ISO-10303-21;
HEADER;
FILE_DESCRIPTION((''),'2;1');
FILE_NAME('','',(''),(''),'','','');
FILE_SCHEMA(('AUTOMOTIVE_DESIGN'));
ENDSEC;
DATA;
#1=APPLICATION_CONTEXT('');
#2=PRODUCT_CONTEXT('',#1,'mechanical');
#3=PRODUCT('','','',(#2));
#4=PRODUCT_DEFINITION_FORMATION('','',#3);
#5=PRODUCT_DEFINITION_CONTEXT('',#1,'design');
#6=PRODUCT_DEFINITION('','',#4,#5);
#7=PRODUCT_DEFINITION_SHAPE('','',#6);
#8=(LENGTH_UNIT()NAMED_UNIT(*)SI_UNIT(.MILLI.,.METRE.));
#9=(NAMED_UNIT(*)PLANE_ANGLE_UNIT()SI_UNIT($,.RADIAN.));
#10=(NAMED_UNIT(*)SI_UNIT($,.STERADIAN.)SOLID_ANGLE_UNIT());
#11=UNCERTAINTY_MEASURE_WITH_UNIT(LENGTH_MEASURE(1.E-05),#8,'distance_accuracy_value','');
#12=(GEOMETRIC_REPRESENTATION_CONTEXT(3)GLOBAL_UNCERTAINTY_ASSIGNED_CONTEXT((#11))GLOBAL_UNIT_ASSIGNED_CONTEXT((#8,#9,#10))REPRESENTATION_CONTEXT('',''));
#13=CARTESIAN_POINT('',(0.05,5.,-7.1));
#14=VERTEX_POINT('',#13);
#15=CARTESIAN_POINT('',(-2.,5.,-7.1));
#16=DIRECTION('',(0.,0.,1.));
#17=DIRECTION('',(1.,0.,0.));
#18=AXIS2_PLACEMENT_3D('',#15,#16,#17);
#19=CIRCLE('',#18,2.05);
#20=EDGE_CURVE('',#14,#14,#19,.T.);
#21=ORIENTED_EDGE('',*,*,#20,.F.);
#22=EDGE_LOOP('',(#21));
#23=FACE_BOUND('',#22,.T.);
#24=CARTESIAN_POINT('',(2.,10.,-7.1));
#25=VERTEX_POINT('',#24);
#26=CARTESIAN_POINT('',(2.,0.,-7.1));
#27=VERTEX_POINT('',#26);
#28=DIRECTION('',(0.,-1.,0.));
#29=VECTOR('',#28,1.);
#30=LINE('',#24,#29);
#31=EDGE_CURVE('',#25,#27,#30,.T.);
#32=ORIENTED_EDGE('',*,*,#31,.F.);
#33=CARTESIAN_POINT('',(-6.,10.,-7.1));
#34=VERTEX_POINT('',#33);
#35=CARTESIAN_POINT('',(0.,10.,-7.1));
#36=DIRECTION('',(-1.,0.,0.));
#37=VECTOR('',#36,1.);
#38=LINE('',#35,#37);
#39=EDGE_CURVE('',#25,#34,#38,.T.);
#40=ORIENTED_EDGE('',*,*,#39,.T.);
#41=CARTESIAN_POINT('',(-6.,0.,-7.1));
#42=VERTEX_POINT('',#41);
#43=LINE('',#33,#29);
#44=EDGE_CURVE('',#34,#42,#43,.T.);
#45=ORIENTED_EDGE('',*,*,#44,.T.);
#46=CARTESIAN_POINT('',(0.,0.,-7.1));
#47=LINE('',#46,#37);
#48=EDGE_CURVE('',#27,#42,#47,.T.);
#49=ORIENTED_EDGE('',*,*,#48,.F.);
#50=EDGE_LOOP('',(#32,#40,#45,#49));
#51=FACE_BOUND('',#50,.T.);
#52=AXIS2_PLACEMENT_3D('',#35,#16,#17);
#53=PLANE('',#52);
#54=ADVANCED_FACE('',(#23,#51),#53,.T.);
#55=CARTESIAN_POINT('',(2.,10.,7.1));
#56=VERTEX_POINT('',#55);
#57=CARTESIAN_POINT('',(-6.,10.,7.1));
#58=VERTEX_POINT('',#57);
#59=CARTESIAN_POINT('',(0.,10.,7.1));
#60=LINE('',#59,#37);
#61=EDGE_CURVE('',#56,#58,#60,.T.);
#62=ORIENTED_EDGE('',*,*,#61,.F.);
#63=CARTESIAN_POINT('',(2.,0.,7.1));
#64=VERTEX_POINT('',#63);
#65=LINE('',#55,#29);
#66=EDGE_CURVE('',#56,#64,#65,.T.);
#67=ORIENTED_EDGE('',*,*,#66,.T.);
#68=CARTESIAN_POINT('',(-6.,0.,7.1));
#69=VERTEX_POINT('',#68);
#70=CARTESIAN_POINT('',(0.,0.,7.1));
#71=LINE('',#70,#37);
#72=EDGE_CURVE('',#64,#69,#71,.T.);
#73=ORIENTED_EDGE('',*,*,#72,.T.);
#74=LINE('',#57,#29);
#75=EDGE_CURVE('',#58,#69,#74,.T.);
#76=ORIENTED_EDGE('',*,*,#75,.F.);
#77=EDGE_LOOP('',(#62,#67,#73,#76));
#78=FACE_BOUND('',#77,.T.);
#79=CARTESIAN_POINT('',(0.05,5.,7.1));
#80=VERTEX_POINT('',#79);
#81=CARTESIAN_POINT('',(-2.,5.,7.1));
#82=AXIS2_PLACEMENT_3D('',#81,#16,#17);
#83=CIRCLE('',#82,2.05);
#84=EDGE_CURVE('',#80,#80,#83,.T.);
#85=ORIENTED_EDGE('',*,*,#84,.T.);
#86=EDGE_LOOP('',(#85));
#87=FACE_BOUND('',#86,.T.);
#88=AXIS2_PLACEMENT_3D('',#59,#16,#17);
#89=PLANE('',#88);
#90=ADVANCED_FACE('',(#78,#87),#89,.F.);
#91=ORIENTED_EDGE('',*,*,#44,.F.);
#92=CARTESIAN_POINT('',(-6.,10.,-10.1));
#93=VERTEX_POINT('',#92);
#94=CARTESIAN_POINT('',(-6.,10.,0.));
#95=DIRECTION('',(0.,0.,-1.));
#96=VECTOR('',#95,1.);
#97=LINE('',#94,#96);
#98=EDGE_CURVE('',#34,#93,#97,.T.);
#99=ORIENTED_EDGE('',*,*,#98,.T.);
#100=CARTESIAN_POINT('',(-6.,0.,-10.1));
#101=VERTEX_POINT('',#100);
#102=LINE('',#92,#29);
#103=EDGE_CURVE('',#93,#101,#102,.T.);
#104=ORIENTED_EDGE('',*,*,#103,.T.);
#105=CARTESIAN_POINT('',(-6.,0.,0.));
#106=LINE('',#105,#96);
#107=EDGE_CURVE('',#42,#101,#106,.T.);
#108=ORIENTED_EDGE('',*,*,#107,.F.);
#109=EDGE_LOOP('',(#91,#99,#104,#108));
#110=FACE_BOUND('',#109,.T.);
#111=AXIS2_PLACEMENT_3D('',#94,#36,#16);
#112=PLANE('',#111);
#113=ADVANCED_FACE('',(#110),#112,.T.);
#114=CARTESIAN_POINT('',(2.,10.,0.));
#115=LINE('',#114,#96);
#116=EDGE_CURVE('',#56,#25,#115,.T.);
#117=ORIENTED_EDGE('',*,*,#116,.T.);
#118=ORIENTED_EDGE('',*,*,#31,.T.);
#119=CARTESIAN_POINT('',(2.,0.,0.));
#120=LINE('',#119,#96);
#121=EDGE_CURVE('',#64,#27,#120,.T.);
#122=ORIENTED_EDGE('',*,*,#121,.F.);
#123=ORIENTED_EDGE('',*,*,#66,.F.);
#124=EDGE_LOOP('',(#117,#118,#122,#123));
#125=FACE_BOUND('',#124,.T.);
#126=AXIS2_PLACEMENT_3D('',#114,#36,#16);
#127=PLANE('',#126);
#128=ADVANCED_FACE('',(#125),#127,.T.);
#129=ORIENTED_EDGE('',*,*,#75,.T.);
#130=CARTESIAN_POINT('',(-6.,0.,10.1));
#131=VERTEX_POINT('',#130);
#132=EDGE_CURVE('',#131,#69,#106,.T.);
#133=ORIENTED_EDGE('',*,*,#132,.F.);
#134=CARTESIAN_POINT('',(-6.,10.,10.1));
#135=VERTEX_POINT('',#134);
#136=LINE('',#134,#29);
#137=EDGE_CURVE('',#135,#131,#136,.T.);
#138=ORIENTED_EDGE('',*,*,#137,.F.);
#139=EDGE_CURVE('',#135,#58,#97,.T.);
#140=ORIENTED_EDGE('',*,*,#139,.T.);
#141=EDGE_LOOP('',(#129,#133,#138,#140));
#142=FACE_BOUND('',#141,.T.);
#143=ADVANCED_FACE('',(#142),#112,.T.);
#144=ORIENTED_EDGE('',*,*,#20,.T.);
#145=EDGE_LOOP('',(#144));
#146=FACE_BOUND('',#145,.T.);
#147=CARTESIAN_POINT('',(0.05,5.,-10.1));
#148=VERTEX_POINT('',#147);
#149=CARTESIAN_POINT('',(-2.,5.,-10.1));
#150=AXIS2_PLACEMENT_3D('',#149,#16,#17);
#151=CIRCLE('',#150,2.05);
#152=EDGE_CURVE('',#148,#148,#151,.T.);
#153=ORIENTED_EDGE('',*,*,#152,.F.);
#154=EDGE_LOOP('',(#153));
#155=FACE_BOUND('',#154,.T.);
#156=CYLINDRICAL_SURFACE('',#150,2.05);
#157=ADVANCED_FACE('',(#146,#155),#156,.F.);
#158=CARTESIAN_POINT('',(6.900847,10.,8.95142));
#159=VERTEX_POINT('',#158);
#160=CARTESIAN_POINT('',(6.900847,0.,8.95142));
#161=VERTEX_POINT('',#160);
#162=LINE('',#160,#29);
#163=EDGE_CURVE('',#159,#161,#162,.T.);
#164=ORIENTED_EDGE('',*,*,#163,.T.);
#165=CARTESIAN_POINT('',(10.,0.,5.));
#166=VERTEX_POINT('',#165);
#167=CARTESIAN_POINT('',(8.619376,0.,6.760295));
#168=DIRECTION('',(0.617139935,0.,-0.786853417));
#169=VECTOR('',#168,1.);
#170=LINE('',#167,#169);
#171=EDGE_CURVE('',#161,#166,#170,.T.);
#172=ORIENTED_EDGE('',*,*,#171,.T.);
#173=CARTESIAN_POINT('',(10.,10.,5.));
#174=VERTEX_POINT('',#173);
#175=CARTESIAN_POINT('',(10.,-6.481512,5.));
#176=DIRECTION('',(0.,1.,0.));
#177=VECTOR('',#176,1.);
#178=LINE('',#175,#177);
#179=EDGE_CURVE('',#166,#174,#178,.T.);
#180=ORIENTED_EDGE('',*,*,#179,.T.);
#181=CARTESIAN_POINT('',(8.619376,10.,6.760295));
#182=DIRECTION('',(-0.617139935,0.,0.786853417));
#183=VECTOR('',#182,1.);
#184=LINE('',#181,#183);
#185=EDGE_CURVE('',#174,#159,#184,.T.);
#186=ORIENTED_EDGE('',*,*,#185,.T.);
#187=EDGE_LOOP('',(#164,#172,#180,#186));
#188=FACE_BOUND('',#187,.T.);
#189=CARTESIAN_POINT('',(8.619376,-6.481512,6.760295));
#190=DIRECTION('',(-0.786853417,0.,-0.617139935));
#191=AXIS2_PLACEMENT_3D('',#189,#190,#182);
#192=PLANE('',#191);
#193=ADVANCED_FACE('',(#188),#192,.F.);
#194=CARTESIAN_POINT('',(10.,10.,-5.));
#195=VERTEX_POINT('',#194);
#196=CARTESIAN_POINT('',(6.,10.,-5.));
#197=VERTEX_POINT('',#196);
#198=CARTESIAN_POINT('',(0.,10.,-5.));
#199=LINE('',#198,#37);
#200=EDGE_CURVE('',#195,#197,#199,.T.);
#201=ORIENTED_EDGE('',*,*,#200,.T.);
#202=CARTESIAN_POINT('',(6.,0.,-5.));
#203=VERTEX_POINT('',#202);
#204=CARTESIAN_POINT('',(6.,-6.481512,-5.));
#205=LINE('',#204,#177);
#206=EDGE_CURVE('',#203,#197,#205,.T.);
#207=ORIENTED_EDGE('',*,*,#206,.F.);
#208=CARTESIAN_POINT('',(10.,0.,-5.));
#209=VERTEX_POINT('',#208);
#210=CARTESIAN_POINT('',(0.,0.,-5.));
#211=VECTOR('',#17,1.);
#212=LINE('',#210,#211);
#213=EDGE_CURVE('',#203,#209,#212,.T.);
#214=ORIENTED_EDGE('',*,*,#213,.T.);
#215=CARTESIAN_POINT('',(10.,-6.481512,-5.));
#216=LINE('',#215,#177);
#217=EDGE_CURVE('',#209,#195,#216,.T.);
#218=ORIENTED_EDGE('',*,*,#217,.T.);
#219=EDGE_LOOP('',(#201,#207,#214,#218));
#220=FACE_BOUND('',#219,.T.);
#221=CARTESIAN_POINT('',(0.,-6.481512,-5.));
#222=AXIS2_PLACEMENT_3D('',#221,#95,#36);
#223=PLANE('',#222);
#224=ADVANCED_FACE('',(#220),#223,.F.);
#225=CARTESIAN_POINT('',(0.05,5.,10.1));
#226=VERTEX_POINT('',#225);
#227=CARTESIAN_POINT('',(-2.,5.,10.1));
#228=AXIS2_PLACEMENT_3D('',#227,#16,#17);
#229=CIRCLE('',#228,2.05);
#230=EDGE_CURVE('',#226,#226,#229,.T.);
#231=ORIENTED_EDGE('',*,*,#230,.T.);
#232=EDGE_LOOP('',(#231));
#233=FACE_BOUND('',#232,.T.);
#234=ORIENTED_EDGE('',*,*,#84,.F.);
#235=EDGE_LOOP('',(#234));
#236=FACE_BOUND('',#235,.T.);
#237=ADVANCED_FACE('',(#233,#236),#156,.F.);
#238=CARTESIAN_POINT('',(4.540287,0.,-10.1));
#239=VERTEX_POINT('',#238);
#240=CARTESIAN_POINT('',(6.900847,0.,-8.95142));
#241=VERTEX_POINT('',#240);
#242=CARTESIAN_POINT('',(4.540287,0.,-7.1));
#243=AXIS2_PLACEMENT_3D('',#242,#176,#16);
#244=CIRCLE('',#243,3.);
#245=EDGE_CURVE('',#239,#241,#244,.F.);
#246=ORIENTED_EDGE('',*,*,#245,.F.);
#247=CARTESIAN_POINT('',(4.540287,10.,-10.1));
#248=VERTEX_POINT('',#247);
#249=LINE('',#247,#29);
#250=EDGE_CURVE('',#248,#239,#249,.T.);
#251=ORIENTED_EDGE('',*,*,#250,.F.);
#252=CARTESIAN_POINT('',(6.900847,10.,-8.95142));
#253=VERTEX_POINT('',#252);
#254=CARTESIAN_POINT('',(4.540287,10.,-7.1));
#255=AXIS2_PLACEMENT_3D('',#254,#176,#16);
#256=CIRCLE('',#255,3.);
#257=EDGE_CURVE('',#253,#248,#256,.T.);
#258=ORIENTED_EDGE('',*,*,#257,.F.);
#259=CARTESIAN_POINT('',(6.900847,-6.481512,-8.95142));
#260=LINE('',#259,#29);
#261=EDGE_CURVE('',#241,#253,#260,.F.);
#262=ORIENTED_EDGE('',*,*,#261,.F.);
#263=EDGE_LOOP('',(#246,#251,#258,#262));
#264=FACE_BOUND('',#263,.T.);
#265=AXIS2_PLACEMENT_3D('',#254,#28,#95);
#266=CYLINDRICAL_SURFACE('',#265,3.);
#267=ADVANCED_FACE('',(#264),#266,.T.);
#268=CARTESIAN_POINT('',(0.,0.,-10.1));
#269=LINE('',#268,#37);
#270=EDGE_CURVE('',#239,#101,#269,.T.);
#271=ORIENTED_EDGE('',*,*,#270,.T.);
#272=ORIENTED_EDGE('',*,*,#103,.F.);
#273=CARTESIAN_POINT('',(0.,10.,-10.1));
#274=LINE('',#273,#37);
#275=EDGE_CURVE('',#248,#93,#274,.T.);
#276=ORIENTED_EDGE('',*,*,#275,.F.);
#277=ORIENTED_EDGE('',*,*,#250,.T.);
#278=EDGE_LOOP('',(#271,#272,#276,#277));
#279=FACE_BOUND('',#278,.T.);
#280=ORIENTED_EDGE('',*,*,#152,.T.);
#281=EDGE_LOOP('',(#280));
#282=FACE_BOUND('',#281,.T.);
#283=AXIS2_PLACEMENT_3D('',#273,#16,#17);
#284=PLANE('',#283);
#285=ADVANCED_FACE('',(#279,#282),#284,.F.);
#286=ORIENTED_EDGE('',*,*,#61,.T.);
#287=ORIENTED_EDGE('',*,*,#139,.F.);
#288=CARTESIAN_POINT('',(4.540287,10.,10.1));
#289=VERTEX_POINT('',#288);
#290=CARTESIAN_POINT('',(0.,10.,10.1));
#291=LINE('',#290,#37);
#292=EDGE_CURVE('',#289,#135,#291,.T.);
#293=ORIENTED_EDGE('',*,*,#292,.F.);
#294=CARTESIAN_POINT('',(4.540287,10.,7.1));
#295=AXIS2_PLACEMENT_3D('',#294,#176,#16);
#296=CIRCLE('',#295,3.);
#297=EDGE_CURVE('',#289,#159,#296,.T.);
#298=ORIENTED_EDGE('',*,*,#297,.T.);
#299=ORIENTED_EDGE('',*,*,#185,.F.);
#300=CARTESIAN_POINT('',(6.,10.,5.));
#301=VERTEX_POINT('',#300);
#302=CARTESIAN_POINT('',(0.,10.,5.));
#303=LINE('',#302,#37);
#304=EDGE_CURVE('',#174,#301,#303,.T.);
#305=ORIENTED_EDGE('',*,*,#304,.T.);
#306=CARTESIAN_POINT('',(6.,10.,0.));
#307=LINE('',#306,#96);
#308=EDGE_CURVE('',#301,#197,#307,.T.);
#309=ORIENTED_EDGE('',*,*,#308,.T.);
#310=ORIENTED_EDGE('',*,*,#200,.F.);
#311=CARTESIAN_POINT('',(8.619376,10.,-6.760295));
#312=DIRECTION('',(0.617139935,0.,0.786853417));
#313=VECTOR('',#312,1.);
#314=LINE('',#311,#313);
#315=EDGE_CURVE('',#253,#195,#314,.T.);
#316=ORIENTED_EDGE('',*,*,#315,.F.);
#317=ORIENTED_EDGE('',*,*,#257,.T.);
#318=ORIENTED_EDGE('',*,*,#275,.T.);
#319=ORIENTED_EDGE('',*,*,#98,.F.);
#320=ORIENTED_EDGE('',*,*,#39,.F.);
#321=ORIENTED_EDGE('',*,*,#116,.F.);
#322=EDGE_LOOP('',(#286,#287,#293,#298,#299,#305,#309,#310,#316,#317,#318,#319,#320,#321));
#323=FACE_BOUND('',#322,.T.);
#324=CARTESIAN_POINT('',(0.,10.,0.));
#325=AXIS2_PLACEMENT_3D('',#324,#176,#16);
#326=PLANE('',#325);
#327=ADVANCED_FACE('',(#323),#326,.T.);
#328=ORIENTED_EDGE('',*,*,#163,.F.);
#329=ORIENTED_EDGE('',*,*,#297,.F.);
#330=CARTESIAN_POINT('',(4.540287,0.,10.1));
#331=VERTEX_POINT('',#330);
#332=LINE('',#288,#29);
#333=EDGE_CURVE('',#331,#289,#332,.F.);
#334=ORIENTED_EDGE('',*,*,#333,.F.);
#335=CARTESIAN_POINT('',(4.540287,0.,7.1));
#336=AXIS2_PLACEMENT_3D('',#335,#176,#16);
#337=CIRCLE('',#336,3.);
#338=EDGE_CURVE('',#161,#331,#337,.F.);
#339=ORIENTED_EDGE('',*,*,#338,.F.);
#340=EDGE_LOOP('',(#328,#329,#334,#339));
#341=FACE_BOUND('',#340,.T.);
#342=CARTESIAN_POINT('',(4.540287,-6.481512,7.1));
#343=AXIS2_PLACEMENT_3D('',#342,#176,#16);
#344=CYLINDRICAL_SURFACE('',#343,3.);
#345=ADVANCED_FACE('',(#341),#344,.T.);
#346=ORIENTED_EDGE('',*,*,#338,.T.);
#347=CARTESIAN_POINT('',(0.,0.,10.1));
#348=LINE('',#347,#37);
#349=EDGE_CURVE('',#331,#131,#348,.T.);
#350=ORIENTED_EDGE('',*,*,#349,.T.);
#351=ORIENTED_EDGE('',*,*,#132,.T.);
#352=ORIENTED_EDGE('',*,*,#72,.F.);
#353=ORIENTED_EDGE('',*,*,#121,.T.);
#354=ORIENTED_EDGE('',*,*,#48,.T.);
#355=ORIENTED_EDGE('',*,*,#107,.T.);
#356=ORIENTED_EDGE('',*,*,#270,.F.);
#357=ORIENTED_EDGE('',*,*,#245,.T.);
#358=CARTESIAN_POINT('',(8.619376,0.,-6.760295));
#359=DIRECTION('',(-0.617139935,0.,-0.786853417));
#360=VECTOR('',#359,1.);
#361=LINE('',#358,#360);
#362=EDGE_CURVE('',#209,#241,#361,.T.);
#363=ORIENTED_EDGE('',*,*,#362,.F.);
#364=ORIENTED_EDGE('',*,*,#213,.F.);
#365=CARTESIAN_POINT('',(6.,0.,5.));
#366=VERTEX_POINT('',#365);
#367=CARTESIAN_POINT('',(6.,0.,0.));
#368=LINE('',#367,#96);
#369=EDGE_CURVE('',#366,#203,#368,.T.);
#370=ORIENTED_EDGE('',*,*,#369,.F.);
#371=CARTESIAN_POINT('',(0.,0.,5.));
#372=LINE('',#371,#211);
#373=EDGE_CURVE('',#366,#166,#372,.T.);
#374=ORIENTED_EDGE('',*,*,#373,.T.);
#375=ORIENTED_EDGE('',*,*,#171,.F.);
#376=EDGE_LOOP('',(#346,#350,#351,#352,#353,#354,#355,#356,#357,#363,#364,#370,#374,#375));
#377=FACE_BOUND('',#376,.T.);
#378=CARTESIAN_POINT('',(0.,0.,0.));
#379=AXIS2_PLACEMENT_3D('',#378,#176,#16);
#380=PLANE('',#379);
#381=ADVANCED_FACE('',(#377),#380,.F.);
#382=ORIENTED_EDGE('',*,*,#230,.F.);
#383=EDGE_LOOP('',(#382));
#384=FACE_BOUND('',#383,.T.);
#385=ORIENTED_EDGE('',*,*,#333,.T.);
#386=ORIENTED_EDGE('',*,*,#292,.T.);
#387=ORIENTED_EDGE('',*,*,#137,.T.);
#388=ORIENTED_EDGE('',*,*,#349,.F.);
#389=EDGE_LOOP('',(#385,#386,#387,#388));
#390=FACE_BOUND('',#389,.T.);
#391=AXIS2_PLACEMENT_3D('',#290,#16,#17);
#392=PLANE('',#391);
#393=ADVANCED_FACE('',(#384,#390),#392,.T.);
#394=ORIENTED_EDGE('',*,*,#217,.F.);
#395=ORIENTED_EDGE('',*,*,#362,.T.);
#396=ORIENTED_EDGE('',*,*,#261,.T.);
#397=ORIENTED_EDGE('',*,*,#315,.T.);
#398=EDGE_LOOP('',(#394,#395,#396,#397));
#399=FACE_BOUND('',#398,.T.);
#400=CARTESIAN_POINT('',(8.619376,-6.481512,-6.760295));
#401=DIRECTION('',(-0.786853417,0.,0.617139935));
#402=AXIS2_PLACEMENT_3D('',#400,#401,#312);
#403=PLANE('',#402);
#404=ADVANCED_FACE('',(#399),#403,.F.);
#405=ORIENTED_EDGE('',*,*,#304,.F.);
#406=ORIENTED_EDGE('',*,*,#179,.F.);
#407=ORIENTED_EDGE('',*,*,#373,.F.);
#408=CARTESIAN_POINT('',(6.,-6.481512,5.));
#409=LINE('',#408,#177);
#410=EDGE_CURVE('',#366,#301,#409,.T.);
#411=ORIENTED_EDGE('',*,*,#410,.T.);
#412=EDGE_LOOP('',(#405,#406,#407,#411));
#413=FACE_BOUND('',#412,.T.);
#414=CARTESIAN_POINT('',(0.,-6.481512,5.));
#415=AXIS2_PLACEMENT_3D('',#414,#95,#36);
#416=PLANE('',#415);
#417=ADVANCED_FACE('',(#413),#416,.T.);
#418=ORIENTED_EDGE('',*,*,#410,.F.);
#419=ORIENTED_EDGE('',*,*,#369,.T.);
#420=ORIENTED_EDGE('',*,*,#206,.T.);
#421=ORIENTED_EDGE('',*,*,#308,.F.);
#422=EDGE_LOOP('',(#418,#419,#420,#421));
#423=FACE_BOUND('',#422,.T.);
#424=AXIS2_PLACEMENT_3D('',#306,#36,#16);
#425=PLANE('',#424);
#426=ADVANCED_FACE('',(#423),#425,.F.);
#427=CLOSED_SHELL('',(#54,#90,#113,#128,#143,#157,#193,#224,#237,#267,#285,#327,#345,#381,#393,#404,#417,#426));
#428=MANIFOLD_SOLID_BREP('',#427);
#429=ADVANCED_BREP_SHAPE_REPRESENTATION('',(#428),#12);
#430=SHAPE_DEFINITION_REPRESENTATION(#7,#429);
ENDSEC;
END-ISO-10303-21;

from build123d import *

# Parameters (mm, degrees)
BOSS_EXTRUDE1_DEPTH     = 10
CUT_EXTRUDE1_DEPTH      = 21.780760333
CUT_EXTRUDE1_DEPTH_BACK = 21.780760333
BOSS_EXTRUDE2_DEPTH     = 10
FILLET1_R               = 3


with BuildPart() as part:
    # Sketch1 → Boss-Extrude1 (new body)
    with BuildSketch(Plane(origin=(0, 0, 0), x_dir=(1, 0, 0), z_dir=(0, 1, 0))):
        Polygon((-6, -10.1), (6, -10.1), (6, 10.1), (-6, 10.1), (-6, 7.1), (2, 7.1), (2, -7.1), (-6, -7.1), align=None)
    extrude(amount=BOSS_EXTRUDE1_DEPTH)

    # Sketch2 → Cut-Extrude1 (cut, two sides: drawn at the far end of the back side and taken through both)
    with BuildSketch(Plane.XY.offset(-7.1).offset(-CUT_EXTRUDE1_DEPTH_BACK)):
        with BuildLine():
            ThreePointArc((-3.280624847, 6.600781059), (-3.600781059, 3.719375153), (-0.719375153, 3.399218941))
            Line((-0.719375153, 3.399218941), (-3.280624847, 6.600781059))
        make_face()
        with BuildLine():
            Line((-3.280624847, 6.600781059), (-0.719375153, 3.399218941))
            ThreePointArc((-0.719375153, 3.399218941), (-0.152328366, 4.111963102), (0.05, 5))
            ThreePointArc((0.05, 5), (-1.111963102, 6.847671634), (-3.280624847, 6.600781059))
        make_face()
    extrude(amount=CUT_EXTRUDE1_DEPTH + CUT_EXTRUDE1_DEPTH_BACK, mode=Mode.SUBTRACT)

    # Sketch3 → Boss-Extrude2 (add)
    with BuildSketch(Plane(origin=(0, 10, 0), x_dir=(1, 0, 0), z_dir=(0, 1, 0))):
        Polygon((10, 5), (6, 10.1), (6, 5), align=None)
        Polygon((6, -10.1), (10, -5), (6, -5), align=None)
    extrude(amount=-BOSS_EXTRUDE2_DEPTH)

    # Fillet1
    fillet1_edges = [part.edges().sort_by_distance(p)[0] for p in [
        (6, 5, -10.1),
        (6, 5, 10.1),
    ]]
    fillet(fillet1_edges, radius=FILLET1_R)


solid = part.part
